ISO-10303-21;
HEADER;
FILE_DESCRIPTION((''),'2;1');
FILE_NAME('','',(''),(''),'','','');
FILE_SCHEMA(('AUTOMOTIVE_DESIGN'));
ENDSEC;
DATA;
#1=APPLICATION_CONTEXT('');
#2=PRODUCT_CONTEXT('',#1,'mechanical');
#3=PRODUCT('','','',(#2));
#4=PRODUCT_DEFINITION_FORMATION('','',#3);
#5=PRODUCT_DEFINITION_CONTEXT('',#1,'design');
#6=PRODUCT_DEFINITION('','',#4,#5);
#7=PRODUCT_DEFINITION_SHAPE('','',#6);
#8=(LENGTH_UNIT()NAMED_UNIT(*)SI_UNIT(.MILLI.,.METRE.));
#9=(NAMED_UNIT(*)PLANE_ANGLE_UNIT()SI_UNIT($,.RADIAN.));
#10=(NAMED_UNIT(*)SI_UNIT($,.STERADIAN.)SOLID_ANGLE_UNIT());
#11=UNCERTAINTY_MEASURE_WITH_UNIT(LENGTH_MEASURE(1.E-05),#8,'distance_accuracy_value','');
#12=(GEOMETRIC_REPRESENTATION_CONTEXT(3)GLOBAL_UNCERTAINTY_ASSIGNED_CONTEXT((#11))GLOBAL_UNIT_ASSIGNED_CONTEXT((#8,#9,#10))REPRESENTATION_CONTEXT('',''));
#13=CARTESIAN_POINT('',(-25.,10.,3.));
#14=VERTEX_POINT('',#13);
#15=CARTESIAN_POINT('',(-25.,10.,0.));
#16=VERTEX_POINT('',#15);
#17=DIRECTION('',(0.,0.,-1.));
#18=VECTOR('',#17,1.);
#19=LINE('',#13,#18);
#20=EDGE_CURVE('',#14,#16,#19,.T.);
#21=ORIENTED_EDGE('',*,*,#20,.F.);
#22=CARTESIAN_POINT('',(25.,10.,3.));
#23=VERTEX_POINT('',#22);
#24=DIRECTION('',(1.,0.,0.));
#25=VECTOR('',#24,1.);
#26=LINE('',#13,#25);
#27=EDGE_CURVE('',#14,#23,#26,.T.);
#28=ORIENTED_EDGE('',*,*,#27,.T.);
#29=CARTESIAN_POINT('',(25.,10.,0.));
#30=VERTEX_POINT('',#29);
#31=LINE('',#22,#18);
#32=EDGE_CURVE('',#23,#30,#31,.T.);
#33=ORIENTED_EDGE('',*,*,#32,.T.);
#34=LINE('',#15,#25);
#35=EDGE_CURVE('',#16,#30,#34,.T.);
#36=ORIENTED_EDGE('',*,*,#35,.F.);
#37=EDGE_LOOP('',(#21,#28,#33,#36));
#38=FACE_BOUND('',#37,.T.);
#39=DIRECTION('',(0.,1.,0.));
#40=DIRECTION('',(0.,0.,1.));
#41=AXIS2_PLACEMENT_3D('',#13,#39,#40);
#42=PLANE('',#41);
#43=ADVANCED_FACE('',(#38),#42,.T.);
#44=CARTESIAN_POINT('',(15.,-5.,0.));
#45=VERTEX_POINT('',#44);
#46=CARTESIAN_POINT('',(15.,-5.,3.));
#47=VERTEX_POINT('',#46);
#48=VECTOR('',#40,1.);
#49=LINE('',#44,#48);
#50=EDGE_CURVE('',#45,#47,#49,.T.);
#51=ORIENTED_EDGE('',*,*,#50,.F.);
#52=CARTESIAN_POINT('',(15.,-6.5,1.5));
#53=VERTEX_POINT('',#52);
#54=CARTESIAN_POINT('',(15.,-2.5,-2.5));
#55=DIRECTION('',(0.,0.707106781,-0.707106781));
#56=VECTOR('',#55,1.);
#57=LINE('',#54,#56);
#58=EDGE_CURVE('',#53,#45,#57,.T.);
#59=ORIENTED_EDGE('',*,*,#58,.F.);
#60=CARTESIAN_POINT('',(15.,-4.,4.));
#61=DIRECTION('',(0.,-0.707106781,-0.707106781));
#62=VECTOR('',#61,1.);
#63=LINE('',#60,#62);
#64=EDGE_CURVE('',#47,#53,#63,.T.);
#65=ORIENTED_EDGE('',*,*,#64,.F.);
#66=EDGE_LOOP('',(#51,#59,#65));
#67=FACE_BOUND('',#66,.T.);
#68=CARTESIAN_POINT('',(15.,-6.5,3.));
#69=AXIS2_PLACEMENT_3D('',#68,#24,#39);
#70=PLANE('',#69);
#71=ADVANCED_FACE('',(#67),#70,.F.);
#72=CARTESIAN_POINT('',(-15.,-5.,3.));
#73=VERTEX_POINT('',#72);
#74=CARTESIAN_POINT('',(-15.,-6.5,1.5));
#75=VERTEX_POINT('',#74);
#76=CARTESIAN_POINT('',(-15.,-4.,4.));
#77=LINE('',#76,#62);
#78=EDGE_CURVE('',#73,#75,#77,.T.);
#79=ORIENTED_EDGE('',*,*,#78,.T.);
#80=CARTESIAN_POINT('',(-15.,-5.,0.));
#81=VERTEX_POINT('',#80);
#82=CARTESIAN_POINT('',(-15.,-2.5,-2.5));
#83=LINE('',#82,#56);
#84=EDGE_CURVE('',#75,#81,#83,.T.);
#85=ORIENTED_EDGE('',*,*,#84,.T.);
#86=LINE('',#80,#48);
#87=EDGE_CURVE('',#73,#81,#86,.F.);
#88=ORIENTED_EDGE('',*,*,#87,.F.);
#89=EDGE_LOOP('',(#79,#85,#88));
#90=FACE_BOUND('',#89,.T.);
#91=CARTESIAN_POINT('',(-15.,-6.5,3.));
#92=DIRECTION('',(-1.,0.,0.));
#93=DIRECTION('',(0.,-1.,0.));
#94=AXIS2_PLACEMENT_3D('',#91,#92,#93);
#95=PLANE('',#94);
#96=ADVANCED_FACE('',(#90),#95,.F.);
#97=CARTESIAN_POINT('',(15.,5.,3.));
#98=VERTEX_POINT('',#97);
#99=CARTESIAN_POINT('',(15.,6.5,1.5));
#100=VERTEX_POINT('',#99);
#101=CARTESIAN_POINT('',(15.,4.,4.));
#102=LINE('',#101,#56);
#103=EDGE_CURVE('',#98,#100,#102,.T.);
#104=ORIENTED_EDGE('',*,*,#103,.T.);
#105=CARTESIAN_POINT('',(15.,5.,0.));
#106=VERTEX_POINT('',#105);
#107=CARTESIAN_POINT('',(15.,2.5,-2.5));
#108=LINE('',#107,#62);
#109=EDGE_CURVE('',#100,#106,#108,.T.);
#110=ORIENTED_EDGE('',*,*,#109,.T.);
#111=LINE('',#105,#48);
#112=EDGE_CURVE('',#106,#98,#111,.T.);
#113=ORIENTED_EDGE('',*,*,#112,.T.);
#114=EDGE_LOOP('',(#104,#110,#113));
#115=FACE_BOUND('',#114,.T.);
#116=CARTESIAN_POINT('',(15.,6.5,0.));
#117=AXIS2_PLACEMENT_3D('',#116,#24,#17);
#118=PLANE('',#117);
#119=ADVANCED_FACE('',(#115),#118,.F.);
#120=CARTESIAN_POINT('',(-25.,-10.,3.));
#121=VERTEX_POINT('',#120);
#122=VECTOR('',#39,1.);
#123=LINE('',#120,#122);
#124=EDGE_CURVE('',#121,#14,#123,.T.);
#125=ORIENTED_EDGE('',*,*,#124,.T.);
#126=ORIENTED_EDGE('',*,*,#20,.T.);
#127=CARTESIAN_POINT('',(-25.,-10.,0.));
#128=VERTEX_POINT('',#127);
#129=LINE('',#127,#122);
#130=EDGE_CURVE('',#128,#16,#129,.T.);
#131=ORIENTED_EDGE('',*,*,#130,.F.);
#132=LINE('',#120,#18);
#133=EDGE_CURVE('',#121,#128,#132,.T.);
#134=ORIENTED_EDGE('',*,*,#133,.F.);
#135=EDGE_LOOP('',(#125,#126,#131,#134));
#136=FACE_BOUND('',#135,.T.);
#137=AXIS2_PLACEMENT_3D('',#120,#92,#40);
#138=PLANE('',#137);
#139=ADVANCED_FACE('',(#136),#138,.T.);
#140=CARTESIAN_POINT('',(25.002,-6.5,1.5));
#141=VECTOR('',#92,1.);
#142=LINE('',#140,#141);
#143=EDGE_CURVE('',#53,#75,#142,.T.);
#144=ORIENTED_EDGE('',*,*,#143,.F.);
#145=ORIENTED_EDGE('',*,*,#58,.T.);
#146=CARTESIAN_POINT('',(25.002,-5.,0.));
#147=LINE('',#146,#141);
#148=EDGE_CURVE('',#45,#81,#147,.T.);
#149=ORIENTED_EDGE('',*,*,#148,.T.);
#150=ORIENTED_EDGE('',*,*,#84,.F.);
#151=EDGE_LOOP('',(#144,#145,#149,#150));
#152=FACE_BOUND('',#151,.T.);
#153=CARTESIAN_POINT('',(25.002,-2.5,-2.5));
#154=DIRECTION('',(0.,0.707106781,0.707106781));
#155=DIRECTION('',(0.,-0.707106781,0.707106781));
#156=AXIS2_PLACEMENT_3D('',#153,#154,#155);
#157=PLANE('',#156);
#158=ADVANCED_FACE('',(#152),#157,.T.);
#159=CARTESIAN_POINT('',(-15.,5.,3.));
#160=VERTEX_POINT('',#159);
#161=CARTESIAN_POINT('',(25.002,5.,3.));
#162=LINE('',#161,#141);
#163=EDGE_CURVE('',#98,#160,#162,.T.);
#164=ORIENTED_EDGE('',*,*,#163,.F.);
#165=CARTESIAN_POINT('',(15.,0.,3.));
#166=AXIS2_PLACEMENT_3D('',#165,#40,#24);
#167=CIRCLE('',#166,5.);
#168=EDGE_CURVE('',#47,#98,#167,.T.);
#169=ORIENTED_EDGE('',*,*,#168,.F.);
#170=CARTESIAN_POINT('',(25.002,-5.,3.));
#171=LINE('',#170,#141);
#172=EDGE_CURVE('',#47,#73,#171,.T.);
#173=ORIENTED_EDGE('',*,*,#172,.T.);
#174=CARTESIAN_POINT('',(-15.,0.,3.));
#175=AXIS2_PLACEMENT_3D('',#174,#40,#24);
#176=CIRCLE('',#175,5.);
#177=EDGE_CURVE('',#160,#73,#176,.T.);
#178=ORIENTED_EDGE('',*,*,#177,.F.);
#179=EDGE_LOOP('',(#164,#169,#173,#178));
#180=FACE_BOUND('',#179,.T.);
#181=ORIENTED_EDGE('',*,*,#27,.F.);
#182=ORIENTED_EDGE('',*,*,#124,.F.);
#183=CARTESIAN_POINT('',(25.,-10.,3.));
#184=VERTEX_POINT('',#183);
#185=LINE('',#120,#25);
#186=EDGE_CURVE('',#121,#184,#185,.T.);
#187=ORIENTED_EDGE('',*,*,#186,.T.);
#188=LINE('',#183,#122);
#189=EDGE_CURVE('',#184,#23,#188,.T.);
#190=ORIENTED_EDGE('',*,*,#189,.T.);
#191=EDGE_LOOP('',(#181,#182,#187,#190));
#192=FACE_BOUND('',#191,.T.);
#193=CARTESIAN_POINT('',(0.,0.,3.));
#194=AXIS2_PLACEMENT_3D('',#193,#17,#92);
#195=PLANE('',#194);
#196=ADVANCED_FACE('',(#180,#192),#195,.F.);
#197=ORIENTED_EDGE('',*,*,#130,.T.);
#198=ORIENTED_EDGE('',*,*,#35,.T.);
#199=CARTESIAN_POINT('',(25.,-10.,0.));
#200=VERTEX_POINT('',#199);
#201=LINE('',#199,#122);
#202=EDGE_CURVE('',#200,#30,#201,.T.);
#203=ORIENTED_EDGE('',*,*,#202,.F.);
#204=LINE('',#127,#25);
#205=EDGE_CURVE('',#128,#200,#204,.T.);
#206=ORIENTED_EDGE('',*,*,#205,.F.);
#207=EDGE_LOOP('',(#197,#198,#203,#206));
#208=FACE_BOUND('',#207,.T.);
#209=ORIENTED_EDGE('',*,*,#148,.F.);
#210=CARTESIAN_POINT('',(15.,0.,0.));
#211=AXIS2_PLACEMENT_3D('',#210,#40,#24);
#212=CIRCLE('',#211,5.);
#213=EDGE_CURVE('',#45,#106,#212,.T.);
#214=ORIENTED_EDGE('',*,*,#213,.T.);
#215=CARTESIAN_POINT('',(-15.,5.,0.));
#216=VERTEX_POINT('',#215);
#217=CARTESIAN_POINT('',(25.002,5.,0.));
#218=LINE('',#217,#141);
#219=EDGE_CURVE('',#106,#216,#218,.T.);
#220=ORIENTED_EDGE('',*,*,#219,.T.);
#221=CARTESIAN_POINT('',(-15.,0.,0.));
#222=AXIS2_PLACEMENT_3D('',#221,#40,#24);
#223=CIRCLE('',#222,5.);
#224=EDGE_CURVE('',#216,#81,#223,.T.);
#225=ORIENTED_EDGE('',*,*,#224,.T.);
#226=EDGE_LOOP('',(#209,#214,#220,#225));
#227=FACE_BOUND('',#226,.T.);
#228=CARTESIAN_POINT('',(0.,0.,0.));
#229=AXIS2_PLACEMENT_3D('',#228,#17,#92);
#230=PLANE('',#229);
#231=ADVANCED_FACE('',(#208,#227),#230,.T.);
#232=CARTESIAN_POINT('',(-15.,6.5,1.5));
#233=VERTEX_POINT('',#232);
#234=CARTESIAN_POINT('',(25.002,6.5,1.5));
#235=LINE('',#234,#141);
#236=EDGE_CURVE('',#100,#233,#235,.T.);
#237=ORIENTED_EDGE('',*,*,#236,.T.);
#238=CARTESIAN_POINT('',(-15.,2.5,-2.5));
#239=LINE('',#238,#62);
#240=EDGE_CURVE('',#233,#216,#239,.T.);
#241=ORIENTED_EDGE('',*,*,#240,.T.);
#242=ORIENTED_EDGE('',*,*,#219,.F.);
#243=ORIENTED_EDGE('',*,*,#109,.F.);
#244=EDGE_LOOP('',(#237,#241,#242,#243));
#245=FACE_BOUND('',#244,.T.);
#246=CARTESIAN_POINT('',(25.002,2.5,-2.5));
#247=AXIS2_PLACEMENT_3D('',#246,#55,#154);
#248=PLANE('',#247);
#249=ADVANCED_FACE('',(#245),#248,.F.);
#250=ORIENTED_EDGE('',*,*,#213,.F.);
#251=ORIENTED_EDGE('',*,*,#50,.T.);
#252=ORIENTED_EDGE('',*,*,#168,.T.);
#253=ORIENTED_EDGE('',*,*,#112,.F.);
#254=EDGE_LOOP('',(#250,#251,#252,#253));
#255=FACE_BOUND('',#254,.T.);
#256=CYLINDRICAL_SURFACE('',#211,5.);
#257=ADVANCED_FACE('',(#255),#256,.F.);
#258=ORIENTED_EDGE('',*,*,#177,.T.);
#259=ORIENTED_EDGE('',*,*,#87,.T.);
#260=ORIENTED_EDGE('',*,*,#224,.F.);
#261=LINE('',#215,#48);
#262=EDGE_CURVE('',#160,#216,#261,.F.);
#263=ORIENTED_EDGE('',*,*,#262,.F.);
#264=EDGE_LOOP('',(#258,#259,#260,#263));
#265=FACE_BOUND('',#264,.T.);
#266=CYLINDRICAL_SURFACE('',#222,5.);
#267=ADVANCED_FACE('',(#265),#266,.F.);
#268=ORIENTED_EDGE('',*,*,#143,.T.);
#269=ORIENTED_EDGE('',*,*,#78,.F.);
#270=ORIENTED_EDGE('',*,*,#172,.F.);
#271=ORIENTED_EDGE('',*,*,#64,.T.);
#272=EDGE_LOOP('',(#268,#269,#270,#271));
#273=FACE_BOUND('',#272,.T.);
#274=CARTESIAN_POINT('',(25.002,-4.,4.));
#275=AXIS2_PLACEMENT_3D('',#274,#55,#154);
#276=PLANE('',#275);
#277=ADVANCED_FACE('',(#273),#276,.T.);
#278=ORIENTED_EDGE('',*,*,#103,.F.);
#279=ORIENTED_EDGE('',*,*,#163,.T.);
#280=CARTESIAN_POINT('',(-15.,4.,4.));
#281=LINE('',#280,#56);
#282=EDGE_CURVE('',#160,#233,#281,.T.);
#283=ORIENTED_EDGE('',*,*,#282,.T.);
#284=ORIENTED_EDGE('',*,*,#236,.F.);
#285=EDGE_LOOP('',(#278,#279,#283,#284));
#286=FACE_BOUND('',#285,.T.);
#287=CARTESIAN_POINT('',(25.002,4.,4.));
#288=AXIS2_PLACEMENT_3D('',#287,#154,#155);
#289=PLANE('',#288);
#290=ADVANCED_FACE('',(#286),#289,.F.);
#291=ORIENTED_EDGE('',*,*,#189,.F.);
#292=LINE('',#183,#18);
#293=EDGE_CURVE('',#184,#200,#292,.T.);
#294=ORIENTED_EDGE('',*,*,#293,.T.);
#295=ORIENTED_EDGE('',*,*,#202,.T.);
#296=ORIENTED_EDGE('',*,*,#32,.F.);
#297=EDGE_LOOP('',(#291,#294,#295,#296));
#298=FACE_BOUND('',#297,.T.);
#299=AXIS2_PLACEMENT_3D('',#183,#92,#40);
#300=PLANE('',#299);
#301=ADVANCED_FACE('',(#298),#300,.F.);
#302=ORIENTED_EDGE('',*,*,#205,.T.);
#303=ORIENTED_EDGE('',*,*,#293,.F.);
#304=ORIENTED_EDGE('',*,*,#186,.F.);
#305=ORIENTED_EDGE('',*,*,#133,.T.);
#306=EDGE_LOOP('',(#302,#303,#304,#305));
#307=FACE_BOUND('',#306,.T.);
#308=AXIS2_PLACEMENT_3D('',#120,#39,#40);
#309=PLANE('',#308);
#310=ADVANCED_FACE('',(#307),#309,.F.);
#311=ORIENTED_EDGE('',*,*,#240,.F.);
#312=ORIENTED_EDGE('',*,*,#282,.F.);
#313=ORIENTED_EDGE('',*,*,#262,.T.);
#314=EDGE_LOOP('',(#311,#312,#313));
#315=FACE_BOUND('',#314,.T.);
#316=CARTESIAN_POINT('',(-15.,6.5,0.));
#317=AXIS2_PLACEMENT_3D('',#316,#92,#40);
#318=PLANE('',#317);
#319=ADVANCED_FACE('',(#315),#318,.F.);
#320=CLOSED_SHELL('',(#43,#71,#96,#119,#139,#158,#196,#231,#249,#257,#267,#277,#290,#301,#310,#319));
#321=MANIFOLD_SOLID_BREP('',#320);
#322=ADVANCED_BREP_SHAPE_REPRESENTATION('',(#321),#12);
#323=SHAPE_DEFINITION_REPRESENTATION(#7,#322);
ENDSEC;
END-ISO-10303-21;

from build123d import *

# Parameters (mm, degrees)
SKETCH_1_W          = 50
SKETCH_1_H          = 20
EXTRUDE_3_DEPTH     = 3
SKETCH_2_R          = 5
SKETCH_2_W          = 30
SKETCH_2_H          = 10
CUT_EXTRUDE_1_DEPTH = 3
SKETCH_3_W          = 30
SKETCH_3_H          = 3
CUT_EXTRUDE_2_DEPTH = 1.5
EXTRUDE_4_REACH     = 43.34
SKETCH_5_W          = 30
SKETCH_5_H          = 3
CUT_EXTRUDE_3_DEPTH = 1.5
EXTRUDE_5_REACH     = 43.34


with BuildPart() as part:
    # 스케치1 → 보스-돌출3 (new body)
    with BuildSketch(Plane.XY):
        Rectangle(SKETCH_1_W, SKETCH_1_H)
    extrude(amount=EXTRUDE_3_DEPTH)

    # 스케치2 → 컷-돌출1 (cut)
    with BuildSketch(Plane.XY.offset(3)):
        with Locations((-15, 0)):
            Circle(SKETCH_2_R)
        with Locations((15, 0)):
            Circle(SKETCH_2_R)
        Rectangle(SKETCH_2_W, SKETCH_2_H)
    extrude(amount=-CUT_EXTRUDE_1_DEPTH, mode=Mode.SUBTRACT)

    # 스케치3 → 컷-돌출2 (cut)
    with BuildSketch(Plane.XZ.offset(-5)):
        with Locations((0, 1.5)):
            Rectangle(SKETCH_3_W, SKETCH_3_H)
    extrude(amount=-CUT_EXTRUDE_2_DEPTH, mode=Mode.SUBTRACT)

    # 스케치4 → 보스-돌출4 (add, up to next)
    with BuildSketch(Plane(origin=(-15, 0, 0), x_dir=(0, 0, -1), z_dir=(1, 0, 0)), mode=Mode.PRIVATE) as extrude_4_sk1:
        Polygon((-3, 6.5), (-3, 5), (-1.5, 6.5), align=None)
    extrude_4_tool1 = extrude(extrude_4_sk1.sketch, amount=EXTRUDE_4_REACH, mode=Mode.PRIVATE) - part.part
    # 스케치4 → 보스-돌출4 (add, up to next)
    with BuildSketch(Plane(origin=(-15, 0, 0), x_dir=(0, 0, -1), z_dir=(1, 0, 0)), mode=Mode.PRIVATE) as extrude_4_sk2:
        Polygon((0, 6.5), (-1.5, 6.5), (0, 5), align=None)
    extrude_4_tool2 = extrude(extrude_4_sk2.sketch, amount=EXTRUDE_4_REACH, mode=Mode.PRIVATE) - part.part
    add(extrude_4_tool1.solids().sort_by_distance((-15, 6, 2.5))[0])
    add(extrude_4_tool2.solids().sort_by_distance((-15, 6, 0.5))[0])

    # 스케치5 → 컷-돌출3 (cut)
    with BuildSketch(Plane(origin=(0, -5, 0), x_dir=(1, 0, 0), z_dir=(0, 1, 0))):
        with Locations((0, -1.5)):
            Rectangle(SKETCH_5_W, SKETCH_5_H)
    extrude(amount=-CUT_EXTRUDE_3_DEPTH, mode=Mode.SUBTRACT)

    # 스케치6 → 보스-돌출5 (add, up to next)
    with BuildSketch(Plane(origin=(-15, 0, 0), x_dir=(0, 0, -1), z_dir=(1, 0, 0)), mode=Mode.PRIVATE) as extrude_5_sk1:
        Polygon((-1.5, -6.5), (-3, -5), (-3, -6.5), align=None)
    extrude_5_tool1 = extrude(extrude_5_sk1.sketch, amount=EXTRUDE_5_REACH, mode=Mode.PRIVATE) - part.part
    # 스케치6 → 보스-돌출5 (add, up to next)
    with BuildSketch(Plane(origin=(-15, 0, 0), x_dir=(0, 0, -1), z_dir=(1, 0, 0)), mode=Mode.PRIVATE) as extrude_5_sk2:
        Polygon((0, -5), (-1.5, -6.5), (0, -6.5), align=None)
    extrude_5_tool2 = extrude(extrude_5_sk2.sketch, amount=EXTRUDE_5_REACH, mode=Mode.PRIVATE) - part.part
    add(extrude_5_tool1.solids().sort_by_distance((-15, -6, 2.5))[0])
    add(extrude_5_tool2.solids().sort_by_distance((-15, -6, 0.5))[0])


solid = part.part
